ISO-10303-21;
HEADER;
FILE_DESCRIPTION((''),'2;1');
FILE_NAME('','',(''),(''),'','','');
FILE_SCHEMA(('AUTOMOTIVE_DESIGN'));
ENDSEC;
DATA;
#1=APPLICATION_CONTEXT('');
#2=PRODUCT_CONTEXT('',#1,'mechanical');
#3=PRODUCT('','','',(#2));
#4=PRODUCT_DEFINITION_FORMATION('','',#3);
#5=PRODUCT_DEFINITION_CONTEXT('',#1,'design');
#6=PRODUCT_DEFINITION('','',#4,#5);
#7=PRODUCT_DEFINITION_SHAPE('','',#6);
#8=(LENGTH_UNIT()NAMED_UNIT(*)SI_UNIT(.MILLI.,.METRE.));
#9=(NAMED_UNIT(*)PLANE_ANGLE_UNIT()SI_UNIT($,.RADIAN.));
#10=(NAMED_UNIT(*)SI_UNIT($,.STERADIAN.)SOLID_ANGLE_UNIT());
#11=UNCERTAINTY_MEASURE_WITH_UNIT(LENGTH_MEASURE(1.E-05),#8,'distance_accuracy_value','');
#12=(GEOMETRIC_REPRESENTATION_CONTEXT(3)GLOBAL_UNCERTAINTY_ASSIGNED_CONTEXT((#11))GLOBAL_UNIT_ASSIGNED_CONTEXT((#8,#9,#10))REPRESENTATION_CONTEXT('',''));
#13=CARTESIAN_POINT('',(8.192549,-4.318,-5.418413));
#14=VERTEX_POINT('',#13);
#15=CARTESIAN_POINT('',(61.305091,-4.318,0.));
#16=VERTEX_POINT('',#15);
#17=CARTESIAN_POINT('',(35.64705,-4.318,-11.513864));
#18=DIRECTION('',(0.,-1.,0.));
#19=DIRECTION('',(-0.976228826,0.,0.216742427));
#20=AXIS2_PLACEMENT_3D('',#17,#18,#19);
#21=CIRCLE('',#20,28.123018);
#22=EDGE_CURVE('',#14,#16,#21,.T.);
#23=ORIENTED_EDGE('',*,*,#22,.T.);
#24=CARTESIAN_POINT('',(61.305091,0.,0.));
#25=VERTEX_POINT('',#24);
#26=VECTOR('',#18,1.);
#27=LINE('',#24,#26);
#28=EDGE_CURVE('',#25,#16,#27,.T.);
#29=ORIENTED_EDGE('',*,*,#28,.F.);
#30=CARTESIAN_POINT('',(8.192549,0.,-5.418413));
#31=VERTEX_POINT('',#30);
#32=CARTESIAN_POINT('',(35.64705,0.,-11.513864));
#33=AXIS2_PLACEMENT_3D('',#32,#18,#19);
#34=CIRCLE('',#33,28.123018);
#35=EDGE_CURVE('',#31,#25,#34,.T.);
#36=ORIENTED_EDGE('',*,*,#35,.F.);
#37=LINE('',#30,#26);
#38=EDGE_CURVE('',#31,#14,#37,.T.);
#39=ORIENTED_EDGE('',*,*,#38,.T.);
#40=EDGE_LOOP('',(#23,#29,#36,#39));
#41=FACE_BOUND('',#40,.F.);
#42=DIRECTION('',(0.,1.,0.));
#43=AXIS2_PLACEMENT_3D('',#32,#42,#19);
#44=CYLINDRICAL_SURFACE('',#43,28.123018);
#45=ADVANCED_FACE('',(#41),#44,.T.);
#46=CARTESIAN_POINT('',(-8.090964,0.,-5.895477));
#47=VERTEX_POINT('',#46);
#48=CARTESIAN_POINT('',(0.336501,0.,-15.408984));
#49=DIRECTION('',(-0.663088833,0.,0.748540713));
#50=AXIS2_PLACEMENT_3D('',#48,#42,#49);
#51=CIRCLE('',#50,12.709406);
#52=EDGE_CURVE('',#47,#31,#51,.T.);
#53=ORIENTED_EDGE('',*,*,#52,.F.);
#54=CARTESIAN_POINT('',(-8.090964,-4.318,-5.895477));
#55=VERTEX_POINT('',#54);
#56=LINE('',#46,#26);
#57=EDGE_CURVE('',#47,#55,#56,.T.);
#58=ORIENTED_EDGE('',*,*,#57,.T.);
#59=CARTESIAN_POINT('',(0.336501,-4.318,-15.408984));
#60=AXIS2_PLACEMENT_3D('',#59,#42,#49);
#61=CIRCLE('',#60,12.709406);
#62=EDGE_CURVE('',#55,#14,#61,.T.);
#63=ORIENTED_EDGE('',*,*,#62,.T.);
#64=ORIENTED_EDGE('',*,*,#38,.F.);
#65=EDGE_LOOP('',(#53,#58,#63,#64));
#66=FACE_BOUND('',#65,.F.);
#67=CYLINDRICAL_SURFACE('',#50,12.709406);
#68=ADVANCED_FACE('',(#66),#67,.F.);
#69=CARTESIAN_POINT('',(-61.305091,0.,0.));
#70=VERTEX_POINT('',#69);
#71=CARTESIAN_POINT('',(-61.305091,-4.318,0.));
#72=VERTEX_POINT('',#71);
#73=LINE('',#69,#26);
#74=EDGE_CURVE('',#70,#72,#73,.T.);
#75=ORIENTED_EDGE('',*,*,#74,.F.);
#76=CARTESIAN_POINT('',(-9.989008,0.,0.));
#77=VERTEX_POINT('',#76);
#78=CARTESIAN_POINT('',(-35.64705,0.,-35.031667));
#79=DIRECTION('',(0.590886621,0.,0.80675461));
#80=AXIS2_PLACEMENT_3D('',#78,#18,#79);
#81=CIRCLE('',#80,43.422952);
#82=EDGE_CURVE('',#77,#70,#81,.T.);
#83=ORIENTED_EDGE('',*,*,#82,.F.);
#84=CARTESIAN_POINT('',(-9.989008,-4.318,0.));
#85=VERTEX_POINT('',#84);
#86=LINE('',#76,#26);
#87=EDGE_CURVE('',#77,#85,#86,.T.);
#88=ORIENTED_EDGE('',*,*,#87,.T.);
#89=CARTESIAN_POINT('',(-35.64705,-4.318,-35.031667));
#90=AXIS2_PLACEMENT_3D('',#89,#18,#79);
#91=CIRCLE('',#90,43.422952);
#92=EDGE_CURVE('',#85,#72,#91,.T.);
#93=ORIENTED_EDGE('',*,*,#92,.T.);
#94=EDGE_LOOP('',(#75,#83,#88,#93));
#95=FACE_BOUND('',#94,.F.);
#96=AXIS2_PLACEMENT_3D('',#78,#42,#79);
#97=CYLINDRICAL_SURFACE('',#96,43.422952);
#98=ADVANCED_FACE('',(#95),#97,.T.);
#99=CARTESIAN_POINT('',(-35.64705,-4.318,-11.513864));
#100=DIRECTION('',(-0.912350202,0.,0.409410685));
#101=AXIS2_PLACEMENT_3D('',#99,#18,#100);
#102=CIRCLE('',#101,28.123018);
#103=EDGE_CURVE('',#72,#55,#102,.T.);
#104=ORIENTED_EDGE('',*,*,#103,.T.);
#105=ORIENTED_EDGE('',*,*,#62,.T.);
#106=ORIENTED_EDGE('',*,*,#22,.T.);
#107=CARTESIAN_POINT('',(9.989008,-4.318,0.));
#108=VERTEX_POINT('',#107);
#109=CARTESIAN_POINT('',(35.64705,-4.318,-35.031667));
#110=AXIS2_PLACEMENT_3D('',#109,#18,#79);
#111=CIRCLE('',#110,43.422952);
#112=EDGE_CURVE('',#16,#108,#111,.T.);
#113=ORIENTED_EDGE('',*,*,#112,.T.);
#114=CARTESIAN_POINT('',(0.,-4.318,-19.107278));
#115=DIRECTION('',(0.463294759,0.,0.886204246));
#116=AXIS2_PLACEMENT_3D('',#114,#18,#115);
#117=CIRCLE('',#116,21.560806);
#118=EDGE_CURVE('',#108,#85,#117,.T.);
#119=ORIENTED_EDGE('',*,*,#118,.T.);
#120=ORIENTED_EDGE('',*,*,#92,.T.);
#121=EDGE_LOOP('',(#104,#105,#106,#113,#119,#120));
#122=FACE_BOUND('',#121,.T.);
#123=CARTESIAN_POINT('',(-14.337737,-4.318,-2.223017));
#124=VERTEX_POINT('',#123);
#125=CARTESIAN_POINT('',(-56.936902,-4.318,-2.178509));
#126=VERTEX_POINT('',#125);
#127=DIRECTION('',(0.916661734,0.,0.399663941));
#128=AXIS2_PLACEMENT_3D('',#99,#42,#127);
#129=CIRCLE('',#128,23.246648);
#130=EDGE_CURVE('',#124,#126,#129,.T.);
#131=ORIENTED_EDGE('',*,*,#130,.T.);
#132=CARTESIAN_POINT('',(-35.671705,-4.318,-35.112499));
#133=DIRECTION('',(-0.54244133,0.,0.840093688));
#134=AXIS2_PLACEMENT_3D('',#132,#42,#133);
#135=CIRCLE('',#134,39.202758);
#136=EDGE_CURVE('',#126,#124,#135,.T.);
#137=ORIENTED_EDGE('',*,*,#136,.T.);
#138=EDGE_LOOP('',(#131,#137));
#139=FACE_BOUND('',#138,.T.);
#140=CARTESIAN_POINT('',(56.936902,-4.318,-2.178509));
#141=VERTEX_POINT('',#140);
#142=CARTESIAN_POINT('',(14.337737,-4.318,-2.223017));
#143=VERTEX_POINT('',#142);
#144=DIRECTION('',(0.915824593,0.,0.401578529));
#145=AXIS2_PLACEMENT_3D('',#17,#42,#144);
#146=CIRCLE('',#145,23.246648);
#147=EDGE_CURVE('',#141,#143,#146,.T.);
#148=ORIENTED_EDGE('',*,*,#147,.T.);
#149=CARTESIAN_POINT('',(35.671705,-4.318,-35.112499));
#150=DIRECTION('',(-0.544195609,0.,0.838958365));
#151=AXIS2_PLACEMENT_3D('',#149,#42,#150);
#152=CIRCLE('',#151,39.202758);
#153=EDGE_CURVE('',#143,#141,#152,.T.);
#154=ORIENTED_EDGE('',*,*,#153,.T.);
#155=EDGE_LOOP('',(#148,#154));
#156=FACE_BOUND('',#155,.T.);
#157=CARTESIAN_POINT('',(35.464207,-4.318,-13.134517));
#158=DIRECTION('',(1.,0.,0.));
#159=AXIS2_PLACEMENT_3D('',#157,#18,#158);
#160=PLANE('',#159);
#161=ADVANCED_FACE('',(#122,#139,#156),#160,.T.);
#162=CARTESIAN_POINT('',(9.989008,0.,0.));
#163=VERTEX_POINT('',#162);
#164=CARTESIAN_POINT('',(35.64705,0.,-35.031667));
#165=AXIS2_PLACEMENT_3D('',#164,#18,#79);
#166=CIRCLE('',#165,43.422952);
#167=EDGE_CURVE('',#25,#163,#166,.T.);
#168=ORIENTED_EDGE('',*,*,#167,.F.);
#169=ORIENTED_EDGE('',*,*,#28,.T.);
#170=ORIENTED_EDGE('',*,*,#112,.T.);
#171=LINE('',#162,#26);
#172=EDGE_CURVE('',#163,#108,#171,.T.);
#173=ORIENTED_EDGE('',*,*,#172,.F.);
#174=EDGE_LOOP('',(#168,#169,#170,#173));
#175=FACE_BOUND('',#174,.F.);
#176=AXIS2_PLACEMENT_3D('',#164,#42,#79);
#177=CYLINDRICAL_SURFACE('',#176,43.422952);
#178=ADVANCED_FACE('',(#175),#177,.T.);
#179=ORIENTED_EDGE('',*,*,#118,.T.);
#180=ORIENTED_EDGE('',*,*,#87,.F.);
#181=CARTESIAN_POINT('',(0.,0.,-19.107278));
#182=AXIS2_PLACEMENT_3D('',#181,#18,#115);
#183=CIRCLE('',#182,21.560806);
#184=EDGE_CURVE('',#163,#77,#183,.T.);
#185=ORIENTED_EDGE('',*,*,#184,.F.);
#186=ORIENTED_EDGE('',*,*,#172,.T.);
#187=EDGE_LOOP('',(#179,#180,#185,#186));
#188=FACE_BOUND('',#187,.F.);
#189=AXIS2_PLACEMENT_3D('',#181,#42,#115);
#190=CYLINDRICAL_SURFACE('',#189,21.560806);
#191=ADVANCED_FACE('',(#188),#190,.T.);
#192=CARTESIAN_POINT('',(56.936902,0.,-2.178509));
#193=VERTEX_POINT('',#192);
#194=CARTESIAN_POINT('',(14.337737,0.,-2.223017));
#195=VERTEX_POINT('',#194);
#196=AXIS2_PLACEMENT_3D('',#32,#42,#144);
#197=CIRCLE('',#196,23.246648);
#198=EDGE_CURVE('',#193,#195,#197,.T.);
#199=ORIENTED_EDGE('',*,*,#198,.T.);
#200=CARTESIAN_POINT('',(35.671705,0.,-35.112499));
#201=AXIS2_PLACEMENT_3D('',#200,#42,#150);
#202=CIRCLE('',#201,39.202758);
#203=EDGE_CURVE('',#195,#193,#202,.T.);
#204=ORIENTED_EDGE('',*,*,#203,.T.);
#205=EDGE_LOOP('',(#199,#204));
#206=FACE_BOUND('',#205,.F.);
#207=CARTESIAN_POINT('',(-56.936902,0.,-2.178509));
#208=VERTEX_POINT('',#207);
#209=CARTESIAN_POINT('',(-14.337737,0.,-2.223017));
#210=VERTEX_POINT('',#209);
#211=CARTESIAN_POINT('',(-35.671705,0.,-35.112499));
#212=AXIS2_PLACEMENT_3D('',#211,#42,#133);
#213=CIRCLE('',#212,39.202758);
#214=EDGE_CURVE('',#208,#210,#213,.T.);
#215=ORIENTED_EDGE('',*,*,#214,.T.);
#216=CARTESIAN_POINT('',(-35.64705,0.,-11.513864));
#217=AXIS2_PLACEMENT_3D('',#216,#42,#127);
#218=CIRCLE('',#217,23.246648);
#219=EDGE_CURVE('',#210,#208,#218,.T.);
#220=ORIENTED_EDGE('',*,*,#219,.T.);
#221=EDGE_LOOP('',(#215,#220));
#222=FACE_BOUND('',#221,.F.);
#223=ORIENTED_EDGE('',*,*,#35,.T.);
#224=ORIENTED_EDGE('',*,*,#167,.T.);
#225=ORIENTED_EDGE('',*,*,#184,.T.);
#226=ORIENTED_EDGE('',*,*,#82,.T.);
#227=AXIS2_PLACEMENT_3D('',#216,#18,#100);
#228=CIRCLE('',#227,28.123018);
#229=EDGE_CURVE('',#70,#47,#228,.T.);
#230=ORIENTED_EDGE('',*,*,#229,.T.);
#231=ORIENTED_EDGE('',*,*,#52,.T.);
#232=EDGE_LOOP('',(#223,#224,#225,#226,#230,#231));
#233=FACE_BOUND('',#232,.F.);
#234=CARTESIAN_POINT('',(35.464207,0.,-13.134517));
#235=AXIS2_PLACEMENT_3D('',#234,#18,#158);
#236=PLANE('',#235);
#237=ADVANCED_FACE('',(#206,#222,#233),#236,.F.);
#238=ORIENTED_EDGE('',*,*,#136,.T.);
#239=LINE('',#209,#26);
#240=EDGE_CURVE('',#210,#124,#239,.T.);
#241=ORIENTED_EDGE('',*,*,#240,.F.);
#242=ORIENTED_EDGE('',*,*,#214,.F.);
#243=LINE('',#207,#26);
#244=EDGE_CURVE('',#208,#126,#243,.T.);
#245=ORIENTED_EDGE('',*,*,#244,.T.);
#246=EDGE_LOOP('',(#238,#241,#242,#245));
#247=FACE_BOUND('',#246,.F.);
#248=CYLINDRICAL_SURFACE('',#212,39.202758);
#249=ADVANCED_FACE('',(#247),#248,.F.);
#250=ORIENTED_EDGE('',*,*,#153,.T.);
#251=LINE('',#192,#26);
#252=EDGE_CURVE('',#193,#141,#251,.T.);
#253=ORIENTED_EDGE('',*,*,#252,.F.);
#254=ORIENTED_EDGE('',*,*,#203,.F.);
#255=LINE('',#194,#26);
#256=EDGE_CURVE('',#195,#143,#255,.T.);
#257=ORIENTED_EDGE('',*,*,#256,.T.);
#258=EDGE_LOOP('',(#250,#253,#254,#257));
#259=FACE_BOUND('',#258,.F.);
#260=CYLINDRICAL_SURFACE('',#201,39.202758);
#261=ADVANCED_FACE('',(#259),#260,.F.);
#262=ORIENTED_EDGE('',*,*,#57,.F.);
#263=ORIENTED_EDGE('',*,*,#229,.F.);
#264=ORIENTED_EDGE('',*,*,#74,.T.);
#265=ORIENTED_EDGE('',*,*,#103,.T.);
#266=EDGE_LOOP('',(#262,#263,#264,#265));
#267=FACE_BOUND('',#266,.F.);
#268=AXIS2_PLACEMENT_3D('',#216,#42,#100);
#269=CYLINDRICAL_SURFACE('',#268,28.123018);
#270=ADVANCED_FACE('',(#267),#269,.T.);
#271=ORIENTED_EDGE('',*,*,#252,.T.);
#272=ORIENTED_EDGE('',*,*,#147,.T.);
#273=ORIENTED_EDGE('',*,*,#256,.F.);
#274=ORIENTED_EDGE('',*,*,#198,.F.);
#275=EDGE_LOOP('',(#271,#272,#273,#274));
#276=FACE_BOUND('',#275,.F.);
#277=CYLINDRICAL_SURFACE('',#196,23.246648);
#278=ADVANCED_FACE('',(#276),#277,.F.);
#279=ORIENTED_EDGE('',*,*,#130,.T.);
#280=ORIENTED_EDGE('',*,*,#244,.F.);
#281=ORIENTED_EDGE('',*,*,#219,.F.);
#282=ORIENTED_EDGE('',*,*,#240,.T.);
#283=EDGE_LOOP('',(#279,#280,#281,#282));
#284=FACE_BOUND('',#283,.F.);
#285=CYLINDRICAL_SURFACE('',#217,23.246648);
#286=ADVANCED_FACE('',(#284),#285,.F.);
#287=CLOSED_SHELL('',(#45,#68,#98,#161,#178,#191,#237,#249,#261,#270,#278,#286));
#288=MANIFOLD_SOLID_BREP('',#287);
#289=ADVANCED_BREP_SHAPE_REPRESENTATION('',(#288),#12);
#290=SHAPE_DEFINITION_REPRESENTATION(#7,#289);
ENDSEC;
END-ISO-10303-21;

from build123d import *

# Parameters (mm, degrees)
F1_DEPTH = 4.318


with BuildPart() as f1:
    # F0 (on Front) → F1 (new body)
    with BuildSketch(Plane.XZ):
        with BuildLine():
            ThreePointArc((61.305090785, 0), (35.6470495462, 8.3912852338), (9.9890083075, 0))
            ThreePointArc((9.9890083075, 0), (8.9529428297, -2.6635074234), (8.1925486187, -5.4184128868))
            ThreePointArc((8.1925486187, -5.4184128868), (38.5012773589, -39.4916683371), (61.305090785, 0))
        make_face()
        with BuildLine():
            ThreePointArc((56.9369018065, -2.178509249), (35.6713377141, -34.7604997538), (14.3377365638, -2.2230170087))
            ThreePointArc((14.3377365638, -2.2230170087), (35.6307463249, 4.0902378672), (56.9369018065, -2.178509249))
        make_face(mode=Mode.SUBTRACT)
        with BuildLine():
            ThreePointArc((8.1925486187, -5.4184128868), (8.9529428297, -2.6635074234), (9.9890083075, 0))
            ThreePointArc((9.9890083075, 0), (0, 2.4535281402), (-9.9890083075, 0))
            ThreePointArc((-9.9890083075, 0), (-8.8771972382, -2.8953286037), (-8.0909636629, -5.895476657))
            ThreePointArc((-8.0909636629, -5.895476657), (-0.0356908194, -2.7050294906), (8.1925486187, -5.4184128868))
        make_face()
        with BuildLine():
            ThreePointArc((-8.0909636629, -5.895476657), (-8.8771972382, -2.8953286037), (-9.9890083075, 0))
            ThreePointArc((-9.9890083075, 0), (-35.6470495462, 8.3912852338), (-61.305090785, 0))
            ThreePointArc((-61.305090785, 0), (-38.743790514, -39.4658647747), (-8.0909636629, -5.895476657))
        make_face()
        with BuildLine():
            ThreePointArc((-14.3377365638, -2.2230170087), (-35.6713377141, -34.7604997538), (-56.9369018065, -2.178509249))
            ThreePointArc((-56.9369018065, -2.178509249), (-35.6307463249, 4.0902378672), (-14.3377365638, -2.2230170087))
        make_face(mode=Mode.SUBTRACT)
    extrude(amount=F1_DEPTH)


solid = f1.part
